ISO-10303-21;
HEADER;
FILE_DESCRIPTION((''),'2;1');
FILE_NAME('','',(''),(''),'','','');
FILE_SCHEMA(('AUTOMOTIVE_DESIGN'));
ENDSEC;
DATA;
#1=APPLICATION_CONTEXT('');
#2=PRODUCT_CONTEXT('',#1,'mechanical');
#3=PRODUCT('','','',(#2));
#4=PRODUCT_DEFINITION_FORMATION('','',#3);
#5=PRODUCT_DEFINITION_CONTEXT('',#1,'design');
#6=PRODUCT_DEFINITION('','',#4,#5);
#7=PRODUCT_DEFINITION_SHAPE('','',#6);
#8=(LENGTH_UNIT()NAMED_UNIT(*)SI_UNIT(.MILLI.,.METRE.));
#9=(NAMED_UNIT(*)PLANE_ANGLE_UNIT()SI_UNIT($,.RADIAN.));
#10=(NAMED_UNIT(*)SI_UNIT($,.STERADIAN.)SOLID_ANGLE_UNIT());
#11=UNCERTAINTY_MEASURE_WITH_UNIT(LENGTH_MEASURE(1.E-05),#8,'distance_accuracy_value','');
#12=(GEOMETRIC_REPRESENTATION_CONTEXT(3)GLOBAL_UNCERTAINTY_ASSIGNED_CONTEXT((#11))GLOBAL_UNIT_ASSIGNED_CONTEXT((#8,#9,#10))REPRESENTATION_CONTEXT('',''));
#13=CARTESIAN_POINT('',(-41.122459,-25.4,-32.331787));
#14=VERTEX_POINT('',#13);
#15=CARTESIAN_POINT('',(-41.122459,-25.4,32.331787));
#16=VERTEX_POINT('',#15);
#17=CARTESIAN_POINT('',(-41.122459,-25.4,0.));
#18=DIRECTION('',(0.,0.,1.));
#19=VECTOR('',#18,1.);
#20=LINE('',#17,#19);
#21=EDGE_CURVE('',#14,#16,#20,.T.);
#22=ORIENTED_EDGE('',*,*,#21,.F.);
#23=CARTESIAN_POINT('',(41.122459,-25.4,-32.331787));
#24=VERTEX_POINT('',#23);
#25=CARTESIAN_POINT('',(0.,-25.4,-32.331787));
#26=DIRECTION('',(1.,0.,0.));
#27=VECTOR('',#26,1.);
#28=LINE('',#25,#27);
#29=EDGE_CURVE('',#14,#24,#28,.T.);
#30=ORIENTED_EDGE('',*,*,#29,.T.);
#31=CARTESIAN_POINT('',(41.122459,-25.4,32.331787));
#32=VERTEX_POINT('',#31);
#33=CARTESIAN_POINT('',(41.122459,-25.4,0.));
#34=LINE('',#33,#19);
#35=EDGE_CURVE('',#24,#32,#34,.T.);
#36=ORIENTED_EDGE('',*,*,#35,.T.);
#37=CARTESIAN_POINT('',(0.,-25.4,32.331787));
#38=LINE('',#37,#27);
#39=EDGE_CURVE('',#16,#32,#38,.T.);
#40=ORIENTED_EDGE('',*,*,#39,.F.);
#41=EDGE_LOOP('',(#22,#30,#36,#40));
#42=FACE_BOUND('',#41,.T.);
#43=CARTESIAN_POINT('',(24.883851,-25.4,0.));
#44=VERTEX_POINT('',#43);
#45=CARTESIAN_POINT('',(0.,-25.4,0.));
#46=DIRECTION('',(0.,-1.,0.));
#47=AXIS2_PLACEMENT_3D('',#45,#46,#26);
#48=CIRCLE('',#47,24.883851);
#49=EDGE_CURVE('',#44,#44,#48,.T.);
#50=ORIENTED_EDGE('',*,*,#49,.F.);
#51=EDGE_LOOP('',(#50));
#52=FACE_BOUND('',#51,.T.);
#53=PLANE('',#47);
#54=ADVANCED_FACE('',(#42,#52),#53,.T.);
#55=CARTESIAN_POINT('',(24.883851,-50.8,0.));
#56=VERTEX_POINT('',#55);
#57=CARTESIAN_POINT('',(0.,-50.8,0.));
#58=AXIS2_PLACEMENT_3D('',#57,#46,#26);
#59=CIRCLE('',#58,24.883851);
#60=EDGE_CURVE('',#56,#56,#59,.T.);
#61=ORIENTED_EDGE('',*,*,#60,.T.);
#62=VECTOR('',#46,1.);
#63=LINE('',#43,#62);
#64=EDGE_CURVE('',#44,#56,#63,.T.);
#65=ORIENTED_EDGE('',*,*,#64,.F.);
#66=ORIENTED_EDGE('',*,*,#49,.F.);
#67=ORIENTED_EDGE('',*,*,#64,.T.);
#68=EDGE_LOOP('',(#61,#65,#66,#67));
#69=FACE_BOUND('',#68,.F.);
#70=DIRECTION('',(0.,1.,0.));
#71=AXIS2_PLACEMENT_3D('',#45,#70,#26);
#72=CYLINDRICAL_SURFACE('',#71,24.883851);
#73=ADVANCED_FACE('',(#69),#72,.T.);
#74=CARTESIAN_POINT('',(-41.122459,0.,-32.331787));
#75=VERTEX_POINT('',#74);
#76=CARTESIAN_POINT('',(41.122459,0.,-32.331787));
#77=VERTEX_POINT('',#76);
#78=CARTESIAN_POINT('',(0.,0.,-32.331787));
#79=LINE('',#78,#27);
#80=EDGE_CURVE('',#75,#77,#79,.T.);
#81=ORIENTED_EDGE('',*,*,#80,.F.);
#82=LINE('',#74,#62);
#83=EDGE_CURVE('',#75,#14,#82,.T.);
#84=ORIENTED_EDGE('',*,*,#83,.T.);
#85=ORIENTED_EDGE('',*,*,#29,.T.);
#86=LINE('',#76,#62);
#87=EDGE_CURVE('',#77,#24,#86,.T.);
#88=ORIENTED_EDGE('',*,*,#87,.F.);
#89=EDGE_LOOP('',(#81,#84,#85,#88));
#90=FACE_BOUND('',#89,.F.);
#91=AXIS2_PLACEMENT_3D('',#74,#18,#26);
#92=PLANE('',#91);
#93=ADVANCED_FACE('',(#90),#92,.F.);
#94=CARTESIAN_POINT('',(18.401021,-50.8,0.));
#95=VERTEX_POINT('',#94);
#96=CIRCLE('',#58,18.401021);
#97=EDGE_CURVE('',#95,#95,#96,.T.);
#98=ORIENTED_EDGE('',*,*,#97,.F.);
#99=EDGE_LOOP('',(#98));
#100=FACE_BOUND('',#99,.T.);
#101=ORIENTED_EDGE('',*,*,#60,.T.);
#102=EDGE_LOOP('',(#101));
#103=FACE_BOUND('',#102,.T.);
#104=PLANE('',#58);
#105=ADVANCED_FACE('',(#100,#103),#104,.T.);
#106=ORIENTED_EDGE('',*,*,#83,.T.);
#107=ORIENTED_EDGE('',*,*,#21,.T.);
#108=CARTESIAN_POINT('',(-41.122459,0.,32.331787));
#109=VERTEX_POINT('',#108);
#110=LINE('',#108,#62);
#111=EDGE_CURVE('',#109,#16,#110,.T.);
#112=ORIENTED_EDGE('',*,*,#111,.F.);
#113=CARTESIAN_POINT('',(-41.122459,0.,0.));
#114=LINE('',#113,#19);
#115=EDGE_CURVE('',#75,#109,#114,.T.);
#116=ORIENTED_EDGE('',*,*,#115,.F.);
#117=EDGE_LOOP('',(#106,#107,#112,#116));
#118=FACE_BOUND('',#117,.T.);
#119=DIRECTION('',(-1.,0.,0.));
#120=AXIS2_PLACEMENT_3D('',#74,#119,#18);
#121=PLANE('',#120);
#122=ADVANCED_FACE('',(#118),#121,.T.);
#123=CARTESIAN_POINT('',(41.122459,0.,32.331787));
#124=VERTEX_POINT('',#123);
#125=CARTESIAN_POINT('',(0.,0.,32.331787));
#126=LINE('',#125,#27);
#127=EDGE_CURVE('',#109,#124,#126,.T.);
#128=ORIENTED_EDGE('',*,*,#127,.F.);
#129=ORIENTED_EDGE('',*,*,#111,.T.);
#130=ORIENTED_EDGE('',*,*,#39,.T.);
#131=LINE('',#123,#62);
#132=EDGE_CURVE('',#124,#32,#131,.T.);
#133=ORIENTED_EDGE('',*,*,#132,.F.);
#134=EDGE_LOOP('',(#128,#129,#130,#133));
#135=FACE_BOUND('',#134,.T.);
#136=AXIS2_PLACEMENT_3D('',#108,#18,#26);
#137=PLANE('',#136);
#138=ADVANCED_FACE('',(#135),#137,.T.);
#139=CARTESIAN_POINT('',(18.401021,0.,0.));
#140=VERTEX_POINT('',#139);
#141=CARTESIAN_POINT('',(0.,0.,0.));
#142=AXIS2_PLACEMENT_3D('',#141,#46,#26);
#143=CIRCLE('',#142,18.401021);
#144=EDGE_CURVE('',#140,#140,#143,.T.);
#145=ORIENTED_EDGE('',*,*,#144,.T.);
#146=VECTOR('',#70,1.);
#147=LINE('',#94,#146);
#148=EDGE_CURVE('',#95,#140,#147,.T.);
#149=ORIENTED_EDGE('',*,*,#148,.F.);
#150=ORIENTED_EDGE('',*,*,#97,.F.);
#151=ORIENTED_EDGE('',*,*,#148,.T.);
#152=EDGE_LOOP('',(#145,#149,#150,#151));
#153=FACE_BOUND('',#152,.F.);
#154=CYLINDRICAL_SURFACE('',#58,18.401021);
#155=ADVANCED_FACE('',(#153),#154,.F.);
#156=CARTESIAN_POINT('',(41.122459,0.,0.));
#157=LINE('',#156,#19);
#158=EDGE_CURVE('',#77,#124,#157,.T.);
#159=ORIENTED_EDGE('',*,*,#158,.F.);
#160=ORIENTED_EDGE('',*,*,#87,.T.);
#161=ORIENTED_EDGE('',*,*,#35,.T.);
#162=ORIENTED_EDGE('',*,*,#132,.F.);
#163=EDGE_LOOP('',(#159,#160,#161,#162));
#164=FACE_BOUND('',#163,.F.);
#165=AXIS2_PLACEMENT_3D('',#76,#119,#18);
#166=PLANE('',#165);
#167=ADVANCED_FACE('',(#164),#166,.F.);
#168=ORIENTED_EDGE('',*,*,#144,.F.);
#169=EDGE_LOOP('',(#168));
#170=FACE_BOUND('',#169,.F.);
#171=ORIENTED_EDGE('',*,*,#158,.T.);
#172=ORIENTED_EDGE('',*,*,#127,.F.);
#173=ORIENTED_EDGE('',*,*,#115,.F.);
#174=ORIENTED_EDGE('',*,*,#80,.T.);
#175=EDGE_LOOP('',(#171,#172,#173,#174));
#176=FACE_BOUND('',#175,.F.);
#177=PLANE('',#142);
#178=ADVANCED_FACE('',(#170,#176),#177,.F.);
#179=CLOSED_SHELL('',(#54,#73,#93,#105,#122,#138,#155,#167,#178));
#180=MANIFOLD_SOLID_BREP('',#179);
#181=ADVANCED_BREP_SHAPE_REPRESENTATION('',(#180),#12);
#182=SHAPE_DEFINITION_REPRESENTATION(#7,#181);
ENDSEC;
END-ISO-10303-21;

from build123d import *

# Parameters (mm, degrees)
F0_W     = 82.244918
F0_H     = 64.663574
F1_DEPTH = 25.4
F2_R     = 24.883851
F3_DEPTH = 25.4
F4_R     = 18.401021
F5_DEPTH = 127


with BuildPart() as f1:
    # F0 (on Front) → F1 (new body)
    with BuildSketch(Plane.XZ):
        Rectangle(F0_W, F0_H)
    extrude(amount=F1_DEPTH)

    # F2 (on face) → F3 (join)
    with BuildSketch(Plane.XZ.offset(25.4)):
        Circle(F2_R)
    extrude(amount=F3_DEPTH)

    # F4 (on face) → F5 (cut)
    with BuildSketch(Plane.XZ.offset(50.8)):
        Circle(F4_R)
    extrude(amount=-F5_DEPTH, mode=Mode.SUBTRACT)


solid = f1.part
